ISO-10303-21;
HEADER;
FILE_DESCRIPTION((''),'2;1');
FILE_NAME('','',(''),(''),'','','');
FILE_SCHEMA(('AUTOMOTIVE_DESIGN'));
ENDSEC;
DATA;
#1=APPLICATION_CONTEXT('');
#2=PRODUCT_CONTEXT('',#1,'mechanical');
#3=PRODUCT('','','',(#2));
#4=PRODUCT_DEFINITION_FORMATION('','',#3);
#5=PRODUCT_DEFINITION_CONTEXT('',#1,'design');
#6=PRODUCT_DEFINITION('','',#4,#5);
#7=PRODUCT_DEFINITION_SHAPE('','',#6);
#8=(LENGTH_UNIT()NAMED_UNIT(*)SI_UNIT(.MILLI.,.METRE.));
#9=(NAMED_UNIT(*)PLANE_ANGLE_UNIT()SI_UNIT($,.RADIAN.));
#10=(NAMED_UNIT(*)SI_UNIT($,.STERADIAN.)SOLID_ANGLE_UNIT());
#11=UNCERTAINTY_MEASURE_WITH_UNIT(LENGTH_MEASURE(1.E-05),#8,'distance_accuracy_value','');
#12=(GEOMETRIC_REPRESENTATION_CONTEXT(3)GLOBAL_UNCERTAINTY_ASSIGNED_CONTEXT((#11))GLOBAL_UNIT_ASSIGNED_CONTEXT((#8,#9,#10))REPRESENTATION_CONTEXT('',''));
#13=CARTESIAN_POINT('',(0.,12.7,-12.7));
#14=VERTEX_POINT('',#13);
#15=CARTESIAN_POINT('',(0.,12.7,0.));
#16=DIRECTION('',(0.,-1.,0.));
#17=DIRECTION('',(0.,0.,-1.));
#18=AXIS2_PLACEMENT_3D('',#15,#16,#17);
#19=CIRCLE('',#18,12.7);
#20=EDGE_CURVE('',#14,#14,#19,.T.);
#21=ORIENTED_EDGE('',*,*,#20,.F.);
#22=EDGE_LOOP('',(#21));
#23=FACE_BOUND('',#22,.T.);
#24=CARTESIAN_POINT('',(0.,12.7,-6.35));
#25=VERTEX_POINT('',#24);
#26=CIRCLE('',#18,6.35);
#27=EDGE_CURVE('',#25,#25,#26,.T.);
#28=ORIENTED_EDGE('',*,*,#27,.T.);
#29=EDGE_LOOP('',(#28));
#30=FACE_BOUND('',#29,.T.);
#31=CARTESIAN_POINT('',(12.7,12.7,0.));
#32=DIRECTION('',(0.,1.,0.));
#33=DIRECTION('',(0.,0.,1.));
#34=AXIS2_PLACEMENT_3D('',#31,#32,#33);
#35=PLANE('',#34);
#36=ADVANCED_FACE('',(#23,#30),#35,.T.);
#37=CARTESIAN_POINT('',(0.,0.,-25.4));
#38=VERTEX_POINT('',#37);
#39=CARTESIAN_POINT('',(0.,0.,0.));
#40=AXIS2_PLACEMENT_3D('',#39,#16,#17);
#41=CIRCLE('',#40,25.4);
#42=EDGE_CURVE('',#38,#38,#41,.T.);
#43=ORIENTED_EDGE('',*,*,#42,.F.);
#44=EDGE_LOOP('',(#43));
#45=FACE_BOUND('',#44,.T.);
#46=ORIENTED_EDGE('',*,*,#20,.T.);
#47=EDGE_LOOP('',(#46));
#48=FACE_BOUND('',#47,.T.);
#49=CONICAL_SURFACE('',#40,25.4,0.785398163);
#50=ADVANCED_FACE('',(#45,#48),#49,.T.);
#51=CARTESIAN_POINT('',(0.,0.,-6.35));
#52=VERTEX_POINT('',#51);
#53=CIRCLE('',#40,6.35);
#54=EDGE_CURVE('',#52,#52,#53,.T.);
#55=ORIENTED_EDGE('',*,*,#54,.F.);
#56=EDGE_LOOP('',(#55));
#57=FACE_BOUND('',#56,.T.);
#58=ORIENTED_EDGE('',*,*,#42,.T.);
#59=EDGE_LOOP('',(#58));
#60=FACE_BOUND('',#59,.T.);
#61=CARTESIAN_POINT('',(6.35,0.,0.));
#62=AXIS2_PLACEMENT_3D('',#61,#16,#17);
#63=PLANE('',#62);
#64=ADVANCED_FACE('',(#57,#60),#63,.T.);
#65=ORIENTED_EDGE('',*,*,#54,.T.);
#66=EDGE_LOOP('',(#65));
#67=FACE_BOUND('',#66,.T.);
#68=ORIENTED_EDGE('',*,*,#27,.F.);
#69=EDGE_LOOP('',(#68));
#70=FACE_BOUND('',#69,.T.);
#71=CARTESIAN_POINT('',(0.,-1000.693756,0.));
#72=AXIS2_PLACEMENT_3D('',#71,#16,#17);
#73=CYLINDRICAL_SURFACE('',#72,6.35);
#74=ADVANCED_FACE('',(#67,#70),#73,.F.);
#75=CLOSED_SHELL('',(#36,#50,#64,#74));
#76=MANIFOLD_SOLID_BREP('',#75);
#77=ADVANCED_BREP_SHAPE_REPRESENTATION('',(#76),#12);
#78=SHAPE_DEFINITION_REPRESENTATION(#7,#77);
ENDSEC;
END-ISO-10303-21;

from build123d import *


with BuildPart() as part:
    # Sketch1 → Revolve1 (revolve)
    with BuildSketch(Plane.XY):
        Polygon((6.35, 0), (25.4, 0), (12.7, 12.7), (6.35, 12.7), align=None)
    revolve(axis=Axis((0, -1000.69375591, 0), (0, 1, 0)))


solid = part.part
